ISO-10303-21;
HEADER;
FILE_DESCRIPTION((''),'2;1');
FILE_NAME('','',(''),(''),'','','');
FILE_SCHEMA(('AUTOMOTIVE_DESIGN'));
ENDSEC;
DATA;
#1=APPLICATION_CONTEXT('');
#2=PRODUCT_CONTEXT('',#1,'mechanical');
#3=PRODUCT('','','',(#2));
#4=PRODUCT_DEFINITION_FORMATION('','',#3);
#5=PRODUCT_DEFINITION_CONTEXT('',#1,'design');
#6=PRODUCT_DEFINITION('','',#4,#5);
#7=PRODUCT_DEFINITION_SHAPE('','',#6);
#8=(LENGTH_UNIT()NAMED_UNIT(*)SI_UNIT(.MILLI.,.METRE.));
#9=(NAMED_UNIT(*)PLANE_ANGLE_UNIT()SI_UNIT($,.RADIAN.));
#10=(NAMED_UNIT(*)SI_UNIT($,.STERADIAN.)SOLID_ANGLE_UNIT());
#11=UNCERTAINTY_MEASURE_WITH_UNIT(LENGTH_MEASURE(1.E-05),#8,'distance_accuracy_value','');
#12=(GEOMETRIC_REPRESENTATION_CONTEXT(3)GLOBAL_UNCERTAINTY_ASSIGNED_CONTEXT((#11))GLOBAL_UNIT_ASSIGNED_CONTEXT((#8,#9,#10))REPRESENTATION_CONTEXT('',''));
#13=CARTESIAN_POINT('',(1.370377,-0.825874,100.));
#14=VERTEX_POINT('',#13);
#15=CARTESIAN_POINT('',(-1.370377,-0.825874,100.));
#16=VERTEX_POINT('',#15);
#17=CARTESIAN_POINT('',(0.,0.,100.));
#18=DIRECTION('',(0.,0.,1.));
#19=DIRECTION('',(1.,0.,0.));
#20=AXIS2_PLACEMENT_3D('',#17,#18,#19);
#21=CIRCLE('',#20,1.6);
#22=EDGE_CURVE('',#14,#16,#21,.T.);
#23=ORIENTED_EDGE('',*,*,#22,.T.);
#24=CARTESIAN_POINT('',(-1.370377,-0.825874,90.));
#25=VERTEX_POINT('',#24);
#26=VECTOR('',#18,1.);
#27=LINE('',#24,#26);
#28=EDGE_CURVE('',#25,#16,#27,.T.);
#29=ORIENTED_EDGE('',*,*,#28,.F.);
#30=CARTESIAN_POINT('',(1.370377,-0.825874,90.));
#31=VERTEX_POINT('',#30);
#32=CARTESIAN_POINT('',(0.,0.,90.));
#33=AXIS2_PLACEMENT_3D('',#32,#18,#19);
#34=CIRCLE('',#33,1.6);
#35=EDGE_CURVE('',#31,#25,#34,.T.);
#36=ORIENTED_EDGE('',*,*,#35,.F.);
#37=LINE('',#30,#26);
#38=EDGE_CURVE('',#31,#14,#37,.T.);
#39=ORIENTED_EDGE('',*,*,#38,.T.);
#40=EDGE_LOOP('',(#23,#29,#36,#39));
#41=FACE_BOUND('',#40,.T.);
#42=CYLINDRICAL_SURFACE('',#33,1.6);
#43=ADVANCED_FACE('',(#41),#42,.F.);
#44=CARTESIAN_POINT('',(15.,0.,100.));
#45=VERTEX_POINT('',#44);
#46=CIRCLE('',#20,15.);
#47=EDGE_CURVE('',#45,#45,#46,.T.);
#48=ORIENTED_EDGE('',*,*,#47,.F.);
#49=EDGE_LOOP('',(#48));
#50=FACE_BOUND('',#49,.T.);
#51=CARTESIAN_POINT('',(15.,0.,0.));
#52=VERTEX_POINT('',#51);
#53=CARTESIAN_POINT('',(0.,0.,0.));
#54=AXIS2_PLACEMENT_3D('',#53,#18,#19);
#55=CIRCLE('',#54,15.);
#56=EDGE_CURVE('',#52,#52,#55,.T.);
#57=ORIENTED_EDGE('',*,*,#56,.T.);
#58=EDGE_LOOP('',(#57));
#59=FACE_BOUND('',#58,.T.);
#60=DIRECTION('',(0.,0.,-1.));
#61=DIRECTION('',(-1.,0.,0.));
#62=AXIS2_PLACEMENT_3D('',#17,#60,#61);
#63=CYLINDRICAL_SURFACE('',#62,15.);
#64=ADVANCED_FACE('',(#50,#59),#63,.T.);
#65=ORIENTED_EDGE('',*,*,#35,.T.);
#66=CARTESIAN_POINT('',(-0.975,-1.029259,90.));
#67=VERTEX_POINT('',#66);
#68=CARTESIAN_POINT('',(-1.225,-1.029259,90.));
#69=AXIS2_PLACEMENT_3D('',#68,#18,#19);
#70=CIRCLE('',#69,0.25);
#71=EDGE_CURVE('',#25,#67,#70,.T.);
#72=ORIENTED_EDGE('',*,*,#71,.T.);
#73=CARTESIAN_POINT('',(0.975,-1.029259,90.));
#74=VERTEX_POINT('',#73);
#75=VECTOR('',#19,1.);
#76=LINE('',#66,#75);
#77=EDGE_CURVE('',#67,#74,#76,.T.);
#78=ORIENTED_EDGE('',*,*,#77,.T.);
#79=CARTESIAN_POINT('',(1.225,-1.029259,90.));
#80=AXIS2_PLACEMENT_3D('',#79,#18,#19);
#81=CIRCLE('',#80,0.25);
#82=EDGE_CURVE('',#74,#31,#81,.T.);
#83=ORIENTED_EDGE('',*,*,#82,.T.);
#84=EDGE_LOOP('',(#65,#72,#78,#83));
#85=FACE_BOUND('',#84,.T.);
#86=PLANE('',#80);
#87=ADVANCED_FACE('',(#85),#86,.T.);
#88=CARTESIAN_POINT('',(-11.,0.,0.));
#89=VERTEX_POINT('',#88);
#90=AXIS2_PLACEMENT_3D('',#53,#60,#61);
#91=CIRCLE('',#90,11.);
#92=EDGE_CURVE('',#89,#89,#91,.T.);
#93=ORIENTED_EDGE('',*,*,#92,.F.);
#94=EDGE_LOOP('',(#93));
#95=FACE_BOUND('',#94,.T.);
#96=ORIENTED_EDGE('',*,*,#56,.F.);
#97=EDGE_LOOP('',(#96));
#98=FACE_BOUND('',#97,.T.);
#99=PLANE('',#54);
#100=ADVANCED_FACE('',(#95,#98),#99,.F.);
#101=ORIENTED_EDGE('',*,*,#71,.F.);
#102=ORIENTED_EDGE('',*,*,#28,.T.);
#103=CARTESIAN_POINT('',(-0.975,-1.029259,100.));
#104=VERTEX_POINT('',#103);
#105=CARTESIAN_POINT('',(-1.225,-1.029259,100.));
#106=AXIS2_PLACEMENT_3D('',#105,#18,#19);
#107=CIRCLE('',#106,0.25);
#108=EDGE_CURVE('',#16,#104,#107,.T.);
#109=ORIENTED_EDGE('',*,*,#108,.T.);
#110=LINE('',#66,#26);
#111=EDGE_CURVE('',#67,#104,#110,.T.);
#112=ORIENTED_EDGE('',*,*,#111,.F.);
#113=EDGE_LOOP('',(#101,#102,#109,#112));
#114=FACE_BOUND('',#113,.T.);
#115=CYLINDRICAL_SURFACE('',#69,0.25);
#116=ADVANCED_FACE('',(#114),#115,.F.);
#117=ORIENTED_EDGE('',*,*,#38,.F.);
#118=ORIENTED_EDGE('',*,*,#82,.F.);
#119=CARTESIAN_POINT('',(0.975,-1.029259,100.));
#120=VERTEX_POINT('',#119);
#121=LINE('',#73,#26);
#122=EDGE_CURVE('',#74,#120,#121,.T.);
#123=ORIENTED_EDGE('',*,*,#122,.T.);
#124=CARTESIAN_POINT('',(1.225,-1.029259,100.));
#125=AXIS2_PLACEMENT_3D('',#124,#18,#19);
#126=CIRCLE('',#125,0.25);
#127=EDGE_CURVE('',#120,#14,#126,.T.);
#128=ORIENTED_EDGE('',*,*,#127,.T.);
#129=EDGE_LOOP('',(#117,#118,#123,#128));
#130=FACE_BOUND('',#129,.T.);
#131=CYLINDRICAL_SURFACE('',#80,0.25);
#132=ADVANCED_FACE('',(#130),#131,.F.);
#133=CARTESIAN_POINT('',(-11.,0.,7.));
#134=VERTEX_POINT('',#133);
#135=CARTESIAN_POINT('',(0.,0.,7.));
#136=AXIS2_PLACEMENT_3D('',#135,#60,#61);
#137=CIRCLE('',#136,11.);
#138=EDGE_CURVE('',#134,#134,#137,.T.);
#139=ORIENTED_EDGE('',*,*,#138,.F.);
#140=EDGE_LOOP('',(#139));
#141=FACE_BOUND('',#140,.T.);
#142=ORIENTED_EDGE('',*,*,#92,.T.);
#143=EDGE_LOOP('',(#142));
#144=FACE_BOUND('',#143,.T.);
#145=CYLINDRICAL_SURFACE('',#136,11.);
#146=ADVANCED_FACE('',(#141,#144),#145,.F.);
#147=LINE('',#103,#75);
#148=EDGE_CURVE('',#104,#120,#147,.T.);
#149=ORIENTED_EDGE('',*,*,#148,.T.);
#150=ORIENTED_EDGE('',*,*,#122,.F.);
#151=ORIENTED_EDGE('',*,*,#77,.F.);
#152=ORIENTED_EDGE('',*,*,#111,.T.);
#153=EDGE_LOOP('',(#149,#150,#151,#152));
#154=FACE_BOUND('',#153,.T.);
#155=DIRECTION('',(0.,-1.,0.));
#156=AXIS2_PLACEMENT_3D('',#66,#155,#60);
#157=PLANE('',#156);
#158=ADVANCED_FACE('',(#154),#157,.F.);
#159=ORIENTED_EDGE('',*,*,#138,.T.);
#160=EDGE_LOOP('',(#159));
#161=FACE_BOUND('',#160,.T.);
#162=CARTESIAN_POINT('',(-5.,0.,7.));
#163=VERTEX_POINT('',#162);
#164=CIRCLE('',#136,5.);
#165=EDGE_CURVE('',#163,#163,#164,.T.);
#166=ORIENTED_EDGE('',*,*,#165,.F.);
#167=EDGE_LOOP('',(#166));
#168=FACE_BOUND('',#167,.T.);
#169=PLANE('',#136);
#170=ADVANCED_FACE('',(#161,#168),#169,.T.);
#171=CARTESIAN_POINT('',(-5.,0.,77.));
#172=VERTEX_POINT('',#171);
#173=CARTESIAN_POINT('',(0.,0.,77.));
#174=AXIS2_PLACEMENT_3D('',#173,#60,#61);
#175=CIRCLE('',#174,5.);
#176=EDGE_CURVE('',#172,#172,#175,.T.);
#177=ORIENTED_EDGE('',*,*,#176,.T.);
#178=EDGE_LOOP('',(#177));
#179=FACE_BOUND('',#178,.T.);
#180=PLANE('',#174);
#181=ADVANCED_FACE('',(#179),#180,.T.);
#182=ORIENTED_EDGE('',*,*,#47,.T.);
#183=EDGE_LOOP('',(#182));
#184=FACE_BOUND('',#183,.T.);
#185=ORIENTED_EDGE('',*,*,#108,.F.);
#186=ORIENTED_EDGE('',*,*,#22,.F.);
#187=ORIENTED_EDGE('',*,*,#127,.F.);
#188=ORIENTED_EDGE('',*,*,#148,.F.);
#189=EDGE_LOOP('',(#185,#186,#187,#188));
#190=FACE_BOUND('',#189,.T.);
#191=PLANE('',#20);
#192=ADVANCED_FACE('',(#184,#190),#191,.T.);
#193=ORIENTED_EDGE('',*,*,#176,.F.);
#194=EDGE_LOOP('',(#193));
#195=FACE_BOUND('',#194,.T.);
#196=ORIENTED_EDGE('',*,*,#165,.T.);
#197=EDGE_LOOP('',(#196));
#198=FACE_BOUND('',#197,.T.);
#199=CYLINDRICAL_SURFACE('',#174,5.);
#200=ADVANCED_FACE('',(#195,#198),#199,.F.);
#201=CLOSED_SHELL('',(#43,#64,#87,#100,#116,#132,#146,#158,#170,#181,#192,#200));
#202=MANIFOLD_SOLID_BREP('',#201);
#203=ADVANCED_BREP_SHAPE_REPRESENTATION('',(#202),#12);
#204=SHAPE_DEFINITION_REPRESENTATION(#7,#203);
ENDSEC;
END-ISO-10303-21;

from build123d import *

# Parameters (mm, degrees)
SKETCH1_R           = 15
BOSS_EXTRUDE1_DEPTH = 100
CUT_EXTRUDE1_DEPTH  = 10
SKETCH3_R           = 11
CUT_EXTRUDE2_DEPTH  = 7
SKETCH4_R           = 5
CUT_EXTRUDE3_DEPTH  = 70


with BuildPart() as part:
    # Sketch1 → Boss-Extrude1 (new body)
    with BuildSketch(Plane.XY):
        Circle(SKETCH1_R)
    extrude(amount=BOSS_EXTRUDE1_DEPTH)

    # Sketch2 → Cut-Extrude1 (cut)
    with BuildSketch(Plane.XY.offset(100)):
        with BuildLine():
            Line((-0.975, -1.029259443), (0.975, -1.029259443))
            ThreePointArc((0.975, -1.029259443), (1.339358737, -1.251570214), (1.370376634, -0.82587401))
            ThreePointArc((1.370376634, -0.82587401), (0, 1.6), (-1.370376634, -0.82587401))
            ThreePointArc((-1.370376634, -0.82587401), (-1.339358737, -1.251570214), (-0.975, -1.029259443))
        make_face()
    extrude(amount=-CUT_EXTRUDE1_DEPTH, mode=Mode.SUBTRACT)

    # Sketch3 → Cut-Extrude2 (cut)
    with BuildSketch(Plane(origin=(0, 0, 0), x_dir=(-1, 0, 0), z_dir=(0, 0, -1))):
        Circle(SKETCH3_R)
    extrude(amount=-CUT_EXTRUDE2_DEPTH, mode=Mode.SUBTRACT)

    # Sketch4 → Cut-Extrude3 (cut)
    with BuildSketch(Plane(origin=(0, 0, 7), x_dir=(-1, 0, 0), z_dir=(0, 0, -1))):
        Circle(SKETCH4_R)
    extrude(amount=-CUT_EXTRUDE3_DEPTH, mode=Mode.SUBTRACT)


solid = part.part
